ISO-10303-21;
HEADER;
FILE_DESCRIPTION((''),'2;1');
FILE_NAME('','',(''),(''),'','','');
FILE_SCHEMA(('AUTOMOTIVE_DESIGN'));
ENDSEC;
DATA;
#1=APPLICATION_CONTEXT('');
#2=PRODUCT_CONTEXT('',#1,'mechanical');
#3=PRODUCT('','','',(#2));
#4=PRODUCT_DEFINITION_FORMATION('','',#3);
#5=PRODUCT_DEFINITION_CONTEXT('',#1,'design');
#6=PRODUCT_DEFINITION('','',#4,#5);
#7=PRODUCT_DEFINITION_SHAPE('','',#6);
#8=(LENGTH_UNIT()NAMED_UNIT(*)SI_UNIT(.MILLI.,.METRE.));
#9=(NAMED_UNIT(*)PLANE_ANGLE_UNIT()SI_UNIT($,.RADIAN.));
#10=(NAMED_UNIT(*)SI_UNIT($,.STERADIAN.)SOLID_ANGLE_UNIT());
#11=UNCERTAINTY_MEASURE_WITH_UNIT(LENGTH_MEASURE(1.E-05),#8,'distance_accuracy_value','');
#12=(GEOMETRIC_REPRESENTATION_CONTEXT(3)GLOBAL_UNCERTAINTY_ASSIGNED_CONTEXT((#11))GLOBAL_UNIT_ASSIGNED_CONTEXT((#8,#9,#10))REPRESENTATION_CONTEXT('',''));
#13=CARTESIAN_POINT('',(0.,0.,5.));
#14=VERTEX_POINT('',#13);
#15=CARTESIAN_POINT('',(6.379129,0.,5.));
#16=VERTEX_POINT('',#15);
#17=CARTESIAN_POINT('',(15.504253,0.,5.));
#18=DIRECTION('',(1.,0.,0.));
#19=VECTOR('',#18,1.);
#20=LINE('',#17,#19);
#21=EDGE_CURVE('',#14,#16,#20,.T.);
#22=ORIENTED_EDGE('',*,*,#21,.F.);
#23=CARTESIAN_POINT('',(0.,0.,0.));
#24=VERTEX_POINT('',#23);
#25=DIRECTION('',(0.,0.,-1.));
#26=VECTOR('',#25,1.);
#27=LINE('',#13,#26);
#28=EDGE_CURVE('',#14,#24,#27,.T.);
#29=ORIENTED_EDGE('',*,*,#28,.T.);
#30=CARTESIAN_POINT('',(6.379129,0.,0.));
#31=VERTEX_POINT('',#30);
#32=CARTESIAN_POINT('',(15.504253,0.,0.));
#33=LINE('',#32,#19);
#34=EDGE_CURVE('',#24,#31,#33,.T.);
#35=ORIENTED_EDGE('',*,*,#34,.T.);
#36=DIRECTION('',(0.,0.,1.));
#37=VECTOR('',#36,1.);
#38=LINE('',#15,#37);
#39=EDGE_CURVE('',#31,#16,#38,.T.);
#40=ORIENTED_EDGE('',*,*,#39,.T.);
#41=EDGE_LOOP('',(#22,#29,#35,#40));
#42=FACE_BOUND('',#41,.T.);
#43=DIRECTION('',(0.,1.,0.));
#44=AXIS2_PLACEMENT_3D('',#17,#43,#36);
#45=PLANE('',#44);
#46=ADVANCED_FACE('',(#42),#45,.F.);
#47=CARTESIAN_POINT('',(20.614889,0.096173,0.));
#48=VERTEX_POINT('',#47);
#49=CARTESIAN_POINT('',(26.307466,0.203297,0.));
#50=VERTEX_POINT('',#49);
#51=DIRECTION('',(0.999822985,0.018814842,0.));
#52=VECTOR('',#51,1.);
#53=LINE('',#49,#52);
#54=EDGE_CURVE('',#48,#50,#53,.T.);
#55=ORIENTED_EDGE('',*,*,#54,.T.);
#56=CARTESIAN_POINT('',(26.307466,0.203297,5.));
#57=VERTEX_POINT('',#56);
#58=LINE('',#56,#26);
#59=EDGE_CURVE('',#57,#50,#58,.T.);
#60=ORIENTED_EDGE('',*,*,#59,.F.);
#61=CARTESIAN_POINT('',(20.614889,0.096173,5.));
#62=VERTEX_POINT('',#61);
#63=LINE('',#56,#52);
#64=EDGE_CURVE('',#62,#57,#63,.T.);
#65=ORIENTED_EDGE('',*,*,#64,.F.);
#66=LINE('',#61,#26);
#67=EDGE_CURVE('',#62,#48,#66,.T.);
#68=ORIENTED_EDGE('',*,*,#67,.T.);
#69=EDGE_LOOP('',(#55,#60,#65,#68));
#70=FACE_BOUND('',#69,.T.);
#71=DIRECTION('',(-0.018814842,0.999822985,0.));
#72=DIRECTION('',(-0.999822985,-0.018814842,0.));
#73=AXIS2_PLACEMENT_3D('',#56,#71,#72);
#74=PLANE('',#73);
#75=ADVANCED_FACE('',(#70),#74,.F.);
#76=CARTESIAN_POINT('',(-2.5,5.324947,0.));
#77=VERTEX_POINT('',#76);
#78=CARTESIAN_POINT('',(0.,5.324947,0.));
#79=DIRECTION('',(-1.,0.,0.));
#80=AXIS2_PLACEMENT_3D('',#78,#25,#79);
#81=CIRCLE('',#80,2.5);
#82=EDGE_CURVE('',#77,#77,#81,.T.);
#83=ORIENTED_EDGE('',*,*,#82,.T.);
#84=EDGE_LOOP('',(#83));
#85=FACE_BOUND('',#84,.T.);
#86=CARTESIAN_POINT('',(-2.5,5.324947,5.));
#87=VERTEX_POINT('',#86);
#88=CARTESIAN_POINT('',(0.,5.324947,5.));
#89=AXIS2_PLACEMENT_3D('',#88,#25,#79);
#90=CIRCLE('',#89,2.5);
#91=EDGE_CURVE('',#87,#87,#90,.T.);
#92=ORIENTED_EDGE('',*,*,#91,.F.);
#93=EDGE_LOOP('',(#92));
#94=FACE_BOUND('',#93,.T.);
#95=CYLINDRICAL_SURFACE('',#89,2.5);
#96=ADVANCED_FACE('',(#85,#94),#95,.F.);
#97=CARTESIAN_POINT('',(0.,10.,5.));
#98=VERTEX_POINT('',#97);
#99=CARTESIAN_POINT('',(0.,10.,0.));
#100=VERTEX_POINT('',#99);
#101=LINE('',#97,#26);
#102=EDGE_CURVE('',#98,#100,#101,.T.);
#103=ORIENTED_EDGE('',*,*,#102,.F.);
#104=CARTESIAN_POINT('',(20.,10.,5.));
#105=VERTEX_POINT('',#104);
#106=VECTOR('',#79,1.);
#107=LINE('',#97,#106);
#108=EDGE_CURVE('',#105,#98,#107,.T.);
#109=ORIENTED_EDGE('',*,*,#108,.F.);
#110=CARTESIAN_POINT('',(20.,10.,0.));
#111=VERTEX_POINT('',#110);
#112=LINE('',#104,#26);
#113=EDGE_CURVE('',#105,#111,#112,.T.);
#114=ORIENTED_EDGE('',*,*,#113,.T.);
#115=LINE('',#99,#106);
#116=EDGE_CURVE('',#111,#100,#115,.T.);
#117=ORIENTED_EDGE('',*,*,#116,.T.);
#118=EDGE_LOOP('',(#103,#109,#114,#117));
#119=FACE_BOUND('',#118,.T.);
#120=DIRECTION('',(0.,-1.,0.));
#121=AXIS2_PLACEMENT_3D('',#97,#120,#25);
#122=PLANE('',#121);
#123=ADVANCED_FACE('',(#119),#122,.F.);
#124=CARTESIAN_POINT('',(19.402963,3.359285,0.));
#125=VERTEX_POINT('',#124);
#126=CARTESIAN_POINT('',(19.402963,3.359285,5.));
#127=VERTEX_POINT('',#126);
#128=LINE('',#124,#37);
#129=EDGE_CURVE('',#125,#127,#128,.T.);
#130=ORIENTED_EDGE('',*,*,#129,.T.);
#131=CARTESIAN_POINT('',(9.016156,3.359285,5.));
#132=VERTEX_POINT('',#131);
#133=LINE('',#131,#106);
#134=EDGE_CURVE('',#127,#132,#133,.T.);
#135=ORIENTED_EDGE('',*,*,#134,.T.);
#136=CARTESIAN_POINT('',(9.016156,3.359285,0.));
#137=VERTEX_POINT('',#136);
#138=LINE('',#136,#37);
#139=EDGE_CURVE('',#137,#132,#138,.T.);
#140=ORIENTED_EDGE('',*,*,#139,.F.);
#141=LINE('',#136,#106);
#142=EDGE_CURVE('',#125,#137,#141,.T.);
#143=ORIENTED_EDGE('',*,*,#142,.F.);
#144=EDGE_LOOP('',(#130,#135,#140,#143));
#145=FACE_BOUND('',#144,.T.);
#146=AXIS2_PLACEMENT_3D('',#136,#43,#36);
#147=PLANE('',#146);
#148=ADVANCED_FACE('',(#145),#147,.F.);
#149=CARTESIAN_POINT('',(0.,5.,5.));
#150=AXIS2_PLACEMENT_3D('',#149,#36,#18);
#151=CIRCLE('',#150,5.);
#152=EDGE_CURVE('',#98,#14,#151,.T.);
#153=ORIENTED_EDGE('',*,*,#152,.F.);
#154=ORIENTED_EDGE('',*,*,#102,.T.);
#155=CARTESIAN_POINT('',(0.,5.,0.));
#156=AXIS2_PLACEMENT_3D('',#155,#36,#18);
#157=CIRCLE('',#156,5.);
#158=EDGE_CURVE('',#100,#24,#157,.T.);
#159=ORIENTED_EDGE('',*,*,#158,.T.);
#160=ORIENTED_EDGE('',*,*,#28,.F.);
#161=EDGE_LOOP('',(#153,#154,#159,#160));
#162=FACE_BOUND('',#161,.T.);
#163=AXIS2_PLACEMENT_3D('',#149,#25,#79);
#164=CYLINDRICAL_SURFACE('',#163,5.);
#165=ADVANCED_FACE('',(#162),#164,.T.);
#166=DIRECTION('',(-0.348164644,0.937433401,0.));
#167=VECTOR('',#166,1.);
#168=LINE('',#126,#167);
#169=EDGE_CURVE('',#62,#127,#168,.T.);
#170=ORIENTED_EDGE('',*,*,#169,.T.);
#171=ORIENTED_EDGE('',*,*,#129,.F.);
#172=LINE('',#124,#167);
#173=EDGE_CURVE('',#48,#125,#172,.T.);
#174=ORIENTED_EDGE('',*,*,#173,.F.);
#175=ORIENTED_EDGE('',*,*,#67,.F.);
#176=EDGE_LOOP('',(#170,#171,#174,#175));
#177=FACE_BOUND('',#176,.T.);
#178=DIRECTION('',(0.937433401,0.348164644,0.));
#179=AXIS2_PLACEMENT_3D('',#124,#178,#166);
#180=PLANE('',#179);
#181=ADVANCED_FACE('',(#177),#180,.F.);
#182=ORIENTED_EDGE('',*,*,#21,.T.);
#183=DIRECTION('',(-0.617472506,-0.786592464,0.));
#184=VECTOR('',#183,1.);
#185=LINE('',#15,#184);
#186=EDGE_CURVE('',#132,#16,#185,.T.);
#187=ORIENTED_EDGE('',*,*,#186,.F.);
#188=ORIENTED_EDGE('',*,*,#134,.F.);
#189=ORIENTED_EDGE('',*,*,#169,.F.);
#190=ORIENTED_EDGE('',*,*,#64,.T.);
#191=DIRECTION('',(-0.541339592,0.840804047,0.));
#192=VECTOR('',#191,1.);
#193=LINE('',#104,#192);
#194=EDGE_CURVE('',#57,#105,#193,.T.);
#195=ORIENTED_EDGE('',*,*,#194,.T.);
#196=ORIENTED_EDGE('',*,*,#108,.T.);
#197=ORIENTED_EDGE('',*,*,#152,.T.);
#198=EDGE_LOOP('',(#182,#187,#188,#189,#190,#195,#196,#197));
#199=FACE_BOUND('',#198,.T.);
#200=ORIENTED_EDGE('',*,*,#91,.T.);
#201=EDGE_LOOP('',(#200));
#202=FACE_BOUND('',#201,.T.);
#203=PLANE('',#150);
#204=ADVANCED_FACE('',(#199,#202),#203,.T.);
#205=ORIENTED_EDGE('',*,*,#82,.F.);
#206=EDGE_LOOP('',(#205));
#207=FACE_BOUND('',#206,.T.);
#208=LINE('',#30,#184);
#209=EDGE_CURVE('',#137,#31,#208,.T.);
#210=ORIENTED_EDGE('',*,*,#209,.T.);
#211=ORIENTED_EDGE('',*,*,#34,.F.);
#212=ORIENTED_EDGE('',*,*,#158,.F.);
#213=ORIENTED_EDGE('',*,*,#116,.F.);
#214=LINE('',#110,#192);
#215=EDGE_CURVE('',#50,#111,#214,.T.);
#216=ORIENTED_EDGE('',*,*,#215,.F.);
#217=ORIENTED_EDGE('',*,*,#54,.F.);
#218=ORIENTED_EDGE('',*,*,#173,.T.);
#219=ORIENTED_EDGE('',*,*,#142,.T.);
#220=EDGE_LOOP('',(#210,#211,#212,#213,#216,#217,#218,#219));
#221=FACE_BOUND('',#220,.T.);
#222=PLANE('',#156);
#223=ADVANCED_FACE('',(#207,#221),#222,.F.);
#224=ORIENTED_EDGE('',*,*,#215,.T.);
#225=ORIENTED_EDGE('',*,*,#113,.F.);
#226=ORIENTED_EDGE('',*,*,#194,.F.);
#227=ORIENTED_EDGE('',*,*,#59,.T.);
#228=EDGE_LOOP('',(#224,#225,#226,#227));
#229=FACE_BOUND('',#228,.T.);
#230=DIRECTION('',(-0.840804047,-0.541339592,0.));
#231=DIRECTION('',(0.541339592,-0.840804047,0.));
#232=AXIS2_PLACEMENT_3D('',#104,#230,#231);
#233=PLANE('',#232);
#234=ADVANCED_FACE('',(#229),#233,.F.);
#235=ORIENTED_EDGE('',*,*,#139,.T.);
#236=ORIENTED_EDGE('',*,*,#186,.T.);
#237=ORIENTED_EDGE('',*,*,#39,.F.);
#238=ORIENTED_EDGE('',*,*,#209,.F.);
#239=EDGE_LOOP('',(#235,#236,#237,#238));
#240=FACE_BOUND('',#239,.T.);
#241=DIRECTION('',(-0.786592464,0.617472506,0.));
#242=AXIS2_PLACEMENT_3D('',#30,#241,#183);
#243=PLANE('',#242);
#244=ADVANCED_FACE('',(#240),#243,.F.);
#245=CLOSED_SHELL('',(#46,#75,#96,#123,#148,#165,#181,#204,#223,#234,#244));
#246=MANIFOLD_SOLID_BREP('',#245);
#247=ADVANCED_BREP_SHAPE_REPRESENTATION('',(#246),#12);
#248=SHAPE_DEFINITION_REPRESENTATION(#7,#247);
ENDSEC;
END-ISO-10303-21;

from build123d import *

# Parameters (mm, degrees)
BOSS_EXTRUDE2_DEPTH = 5
CUT_EXTRUDE1_DEPTH  = 5
CUT_EXTRUDE2_DEPTH  = 5
SKETCH7_R           = 2.5
CUT_EXTRUDE3_DEPTH  = 5


with BuildPart() as part:
    # Sketch4 → Boss-Extrude2 (new body)
    with BuildSketch(Plane.XY):
        with BuildLine():
            Line((0, 10), (20, 10))
            Line((20, 10), (26.307466479, 0.203296746))
            Line((26.307466479, 0.203296746), (15.504252616, 0))
            Line((15.504252616, 0), (0, 0))
            ThreePointArc((0, 0), (-5, 5), (0, 10))
        make_face()
    extrude(amount=BOSS_EXTRUDE2_DEPTH)

    # Sketch5 → Cut-Extrude1 (cut)
    with BuildSketch(Plane.XY.offset(5)):
        Polygon((6.379128738, 0), (9.016156307, 3.359284814), (19.402963043, 3.359284814), (20.614889369, 0.096172846), align=None)
    extrude(amount=-CUT_EXTRUDE1_DEPTH, mode=Mode.SUBTRACT)

    # Sketch6 → Cut-Extrude2 (cut)
    with BuildSketch(Plane(origin=(0, 0, 0), x_dir=(-1, 0, 0), z_dir=(0, 0, -1))):
        Polygon((-20.614889369, 0.096172846), (-6.379128738, 0), (-6.379128738, -1.250967918), (-21.241056997, -1.250967918), align=None)
    extrude(amount=-CUT_EXTRUDE2_DEPTH, mode=Mode.SUBTRACT)

    # Sketch7 → Cut-Extrude3 (cut)
    with BuildSketch(Plane(origin=(0, 0, 0), x_dir=(-1, 0, 0), z_dir=(0, 0, -1))):
        with Locations((0, 5.324946676)):
            Circle(SKETCH7_R)
    extrude(amount=-CUT_EXTRUDE3_DEPTH, mode=Mode.SUBTRACT)


solid = part.part
